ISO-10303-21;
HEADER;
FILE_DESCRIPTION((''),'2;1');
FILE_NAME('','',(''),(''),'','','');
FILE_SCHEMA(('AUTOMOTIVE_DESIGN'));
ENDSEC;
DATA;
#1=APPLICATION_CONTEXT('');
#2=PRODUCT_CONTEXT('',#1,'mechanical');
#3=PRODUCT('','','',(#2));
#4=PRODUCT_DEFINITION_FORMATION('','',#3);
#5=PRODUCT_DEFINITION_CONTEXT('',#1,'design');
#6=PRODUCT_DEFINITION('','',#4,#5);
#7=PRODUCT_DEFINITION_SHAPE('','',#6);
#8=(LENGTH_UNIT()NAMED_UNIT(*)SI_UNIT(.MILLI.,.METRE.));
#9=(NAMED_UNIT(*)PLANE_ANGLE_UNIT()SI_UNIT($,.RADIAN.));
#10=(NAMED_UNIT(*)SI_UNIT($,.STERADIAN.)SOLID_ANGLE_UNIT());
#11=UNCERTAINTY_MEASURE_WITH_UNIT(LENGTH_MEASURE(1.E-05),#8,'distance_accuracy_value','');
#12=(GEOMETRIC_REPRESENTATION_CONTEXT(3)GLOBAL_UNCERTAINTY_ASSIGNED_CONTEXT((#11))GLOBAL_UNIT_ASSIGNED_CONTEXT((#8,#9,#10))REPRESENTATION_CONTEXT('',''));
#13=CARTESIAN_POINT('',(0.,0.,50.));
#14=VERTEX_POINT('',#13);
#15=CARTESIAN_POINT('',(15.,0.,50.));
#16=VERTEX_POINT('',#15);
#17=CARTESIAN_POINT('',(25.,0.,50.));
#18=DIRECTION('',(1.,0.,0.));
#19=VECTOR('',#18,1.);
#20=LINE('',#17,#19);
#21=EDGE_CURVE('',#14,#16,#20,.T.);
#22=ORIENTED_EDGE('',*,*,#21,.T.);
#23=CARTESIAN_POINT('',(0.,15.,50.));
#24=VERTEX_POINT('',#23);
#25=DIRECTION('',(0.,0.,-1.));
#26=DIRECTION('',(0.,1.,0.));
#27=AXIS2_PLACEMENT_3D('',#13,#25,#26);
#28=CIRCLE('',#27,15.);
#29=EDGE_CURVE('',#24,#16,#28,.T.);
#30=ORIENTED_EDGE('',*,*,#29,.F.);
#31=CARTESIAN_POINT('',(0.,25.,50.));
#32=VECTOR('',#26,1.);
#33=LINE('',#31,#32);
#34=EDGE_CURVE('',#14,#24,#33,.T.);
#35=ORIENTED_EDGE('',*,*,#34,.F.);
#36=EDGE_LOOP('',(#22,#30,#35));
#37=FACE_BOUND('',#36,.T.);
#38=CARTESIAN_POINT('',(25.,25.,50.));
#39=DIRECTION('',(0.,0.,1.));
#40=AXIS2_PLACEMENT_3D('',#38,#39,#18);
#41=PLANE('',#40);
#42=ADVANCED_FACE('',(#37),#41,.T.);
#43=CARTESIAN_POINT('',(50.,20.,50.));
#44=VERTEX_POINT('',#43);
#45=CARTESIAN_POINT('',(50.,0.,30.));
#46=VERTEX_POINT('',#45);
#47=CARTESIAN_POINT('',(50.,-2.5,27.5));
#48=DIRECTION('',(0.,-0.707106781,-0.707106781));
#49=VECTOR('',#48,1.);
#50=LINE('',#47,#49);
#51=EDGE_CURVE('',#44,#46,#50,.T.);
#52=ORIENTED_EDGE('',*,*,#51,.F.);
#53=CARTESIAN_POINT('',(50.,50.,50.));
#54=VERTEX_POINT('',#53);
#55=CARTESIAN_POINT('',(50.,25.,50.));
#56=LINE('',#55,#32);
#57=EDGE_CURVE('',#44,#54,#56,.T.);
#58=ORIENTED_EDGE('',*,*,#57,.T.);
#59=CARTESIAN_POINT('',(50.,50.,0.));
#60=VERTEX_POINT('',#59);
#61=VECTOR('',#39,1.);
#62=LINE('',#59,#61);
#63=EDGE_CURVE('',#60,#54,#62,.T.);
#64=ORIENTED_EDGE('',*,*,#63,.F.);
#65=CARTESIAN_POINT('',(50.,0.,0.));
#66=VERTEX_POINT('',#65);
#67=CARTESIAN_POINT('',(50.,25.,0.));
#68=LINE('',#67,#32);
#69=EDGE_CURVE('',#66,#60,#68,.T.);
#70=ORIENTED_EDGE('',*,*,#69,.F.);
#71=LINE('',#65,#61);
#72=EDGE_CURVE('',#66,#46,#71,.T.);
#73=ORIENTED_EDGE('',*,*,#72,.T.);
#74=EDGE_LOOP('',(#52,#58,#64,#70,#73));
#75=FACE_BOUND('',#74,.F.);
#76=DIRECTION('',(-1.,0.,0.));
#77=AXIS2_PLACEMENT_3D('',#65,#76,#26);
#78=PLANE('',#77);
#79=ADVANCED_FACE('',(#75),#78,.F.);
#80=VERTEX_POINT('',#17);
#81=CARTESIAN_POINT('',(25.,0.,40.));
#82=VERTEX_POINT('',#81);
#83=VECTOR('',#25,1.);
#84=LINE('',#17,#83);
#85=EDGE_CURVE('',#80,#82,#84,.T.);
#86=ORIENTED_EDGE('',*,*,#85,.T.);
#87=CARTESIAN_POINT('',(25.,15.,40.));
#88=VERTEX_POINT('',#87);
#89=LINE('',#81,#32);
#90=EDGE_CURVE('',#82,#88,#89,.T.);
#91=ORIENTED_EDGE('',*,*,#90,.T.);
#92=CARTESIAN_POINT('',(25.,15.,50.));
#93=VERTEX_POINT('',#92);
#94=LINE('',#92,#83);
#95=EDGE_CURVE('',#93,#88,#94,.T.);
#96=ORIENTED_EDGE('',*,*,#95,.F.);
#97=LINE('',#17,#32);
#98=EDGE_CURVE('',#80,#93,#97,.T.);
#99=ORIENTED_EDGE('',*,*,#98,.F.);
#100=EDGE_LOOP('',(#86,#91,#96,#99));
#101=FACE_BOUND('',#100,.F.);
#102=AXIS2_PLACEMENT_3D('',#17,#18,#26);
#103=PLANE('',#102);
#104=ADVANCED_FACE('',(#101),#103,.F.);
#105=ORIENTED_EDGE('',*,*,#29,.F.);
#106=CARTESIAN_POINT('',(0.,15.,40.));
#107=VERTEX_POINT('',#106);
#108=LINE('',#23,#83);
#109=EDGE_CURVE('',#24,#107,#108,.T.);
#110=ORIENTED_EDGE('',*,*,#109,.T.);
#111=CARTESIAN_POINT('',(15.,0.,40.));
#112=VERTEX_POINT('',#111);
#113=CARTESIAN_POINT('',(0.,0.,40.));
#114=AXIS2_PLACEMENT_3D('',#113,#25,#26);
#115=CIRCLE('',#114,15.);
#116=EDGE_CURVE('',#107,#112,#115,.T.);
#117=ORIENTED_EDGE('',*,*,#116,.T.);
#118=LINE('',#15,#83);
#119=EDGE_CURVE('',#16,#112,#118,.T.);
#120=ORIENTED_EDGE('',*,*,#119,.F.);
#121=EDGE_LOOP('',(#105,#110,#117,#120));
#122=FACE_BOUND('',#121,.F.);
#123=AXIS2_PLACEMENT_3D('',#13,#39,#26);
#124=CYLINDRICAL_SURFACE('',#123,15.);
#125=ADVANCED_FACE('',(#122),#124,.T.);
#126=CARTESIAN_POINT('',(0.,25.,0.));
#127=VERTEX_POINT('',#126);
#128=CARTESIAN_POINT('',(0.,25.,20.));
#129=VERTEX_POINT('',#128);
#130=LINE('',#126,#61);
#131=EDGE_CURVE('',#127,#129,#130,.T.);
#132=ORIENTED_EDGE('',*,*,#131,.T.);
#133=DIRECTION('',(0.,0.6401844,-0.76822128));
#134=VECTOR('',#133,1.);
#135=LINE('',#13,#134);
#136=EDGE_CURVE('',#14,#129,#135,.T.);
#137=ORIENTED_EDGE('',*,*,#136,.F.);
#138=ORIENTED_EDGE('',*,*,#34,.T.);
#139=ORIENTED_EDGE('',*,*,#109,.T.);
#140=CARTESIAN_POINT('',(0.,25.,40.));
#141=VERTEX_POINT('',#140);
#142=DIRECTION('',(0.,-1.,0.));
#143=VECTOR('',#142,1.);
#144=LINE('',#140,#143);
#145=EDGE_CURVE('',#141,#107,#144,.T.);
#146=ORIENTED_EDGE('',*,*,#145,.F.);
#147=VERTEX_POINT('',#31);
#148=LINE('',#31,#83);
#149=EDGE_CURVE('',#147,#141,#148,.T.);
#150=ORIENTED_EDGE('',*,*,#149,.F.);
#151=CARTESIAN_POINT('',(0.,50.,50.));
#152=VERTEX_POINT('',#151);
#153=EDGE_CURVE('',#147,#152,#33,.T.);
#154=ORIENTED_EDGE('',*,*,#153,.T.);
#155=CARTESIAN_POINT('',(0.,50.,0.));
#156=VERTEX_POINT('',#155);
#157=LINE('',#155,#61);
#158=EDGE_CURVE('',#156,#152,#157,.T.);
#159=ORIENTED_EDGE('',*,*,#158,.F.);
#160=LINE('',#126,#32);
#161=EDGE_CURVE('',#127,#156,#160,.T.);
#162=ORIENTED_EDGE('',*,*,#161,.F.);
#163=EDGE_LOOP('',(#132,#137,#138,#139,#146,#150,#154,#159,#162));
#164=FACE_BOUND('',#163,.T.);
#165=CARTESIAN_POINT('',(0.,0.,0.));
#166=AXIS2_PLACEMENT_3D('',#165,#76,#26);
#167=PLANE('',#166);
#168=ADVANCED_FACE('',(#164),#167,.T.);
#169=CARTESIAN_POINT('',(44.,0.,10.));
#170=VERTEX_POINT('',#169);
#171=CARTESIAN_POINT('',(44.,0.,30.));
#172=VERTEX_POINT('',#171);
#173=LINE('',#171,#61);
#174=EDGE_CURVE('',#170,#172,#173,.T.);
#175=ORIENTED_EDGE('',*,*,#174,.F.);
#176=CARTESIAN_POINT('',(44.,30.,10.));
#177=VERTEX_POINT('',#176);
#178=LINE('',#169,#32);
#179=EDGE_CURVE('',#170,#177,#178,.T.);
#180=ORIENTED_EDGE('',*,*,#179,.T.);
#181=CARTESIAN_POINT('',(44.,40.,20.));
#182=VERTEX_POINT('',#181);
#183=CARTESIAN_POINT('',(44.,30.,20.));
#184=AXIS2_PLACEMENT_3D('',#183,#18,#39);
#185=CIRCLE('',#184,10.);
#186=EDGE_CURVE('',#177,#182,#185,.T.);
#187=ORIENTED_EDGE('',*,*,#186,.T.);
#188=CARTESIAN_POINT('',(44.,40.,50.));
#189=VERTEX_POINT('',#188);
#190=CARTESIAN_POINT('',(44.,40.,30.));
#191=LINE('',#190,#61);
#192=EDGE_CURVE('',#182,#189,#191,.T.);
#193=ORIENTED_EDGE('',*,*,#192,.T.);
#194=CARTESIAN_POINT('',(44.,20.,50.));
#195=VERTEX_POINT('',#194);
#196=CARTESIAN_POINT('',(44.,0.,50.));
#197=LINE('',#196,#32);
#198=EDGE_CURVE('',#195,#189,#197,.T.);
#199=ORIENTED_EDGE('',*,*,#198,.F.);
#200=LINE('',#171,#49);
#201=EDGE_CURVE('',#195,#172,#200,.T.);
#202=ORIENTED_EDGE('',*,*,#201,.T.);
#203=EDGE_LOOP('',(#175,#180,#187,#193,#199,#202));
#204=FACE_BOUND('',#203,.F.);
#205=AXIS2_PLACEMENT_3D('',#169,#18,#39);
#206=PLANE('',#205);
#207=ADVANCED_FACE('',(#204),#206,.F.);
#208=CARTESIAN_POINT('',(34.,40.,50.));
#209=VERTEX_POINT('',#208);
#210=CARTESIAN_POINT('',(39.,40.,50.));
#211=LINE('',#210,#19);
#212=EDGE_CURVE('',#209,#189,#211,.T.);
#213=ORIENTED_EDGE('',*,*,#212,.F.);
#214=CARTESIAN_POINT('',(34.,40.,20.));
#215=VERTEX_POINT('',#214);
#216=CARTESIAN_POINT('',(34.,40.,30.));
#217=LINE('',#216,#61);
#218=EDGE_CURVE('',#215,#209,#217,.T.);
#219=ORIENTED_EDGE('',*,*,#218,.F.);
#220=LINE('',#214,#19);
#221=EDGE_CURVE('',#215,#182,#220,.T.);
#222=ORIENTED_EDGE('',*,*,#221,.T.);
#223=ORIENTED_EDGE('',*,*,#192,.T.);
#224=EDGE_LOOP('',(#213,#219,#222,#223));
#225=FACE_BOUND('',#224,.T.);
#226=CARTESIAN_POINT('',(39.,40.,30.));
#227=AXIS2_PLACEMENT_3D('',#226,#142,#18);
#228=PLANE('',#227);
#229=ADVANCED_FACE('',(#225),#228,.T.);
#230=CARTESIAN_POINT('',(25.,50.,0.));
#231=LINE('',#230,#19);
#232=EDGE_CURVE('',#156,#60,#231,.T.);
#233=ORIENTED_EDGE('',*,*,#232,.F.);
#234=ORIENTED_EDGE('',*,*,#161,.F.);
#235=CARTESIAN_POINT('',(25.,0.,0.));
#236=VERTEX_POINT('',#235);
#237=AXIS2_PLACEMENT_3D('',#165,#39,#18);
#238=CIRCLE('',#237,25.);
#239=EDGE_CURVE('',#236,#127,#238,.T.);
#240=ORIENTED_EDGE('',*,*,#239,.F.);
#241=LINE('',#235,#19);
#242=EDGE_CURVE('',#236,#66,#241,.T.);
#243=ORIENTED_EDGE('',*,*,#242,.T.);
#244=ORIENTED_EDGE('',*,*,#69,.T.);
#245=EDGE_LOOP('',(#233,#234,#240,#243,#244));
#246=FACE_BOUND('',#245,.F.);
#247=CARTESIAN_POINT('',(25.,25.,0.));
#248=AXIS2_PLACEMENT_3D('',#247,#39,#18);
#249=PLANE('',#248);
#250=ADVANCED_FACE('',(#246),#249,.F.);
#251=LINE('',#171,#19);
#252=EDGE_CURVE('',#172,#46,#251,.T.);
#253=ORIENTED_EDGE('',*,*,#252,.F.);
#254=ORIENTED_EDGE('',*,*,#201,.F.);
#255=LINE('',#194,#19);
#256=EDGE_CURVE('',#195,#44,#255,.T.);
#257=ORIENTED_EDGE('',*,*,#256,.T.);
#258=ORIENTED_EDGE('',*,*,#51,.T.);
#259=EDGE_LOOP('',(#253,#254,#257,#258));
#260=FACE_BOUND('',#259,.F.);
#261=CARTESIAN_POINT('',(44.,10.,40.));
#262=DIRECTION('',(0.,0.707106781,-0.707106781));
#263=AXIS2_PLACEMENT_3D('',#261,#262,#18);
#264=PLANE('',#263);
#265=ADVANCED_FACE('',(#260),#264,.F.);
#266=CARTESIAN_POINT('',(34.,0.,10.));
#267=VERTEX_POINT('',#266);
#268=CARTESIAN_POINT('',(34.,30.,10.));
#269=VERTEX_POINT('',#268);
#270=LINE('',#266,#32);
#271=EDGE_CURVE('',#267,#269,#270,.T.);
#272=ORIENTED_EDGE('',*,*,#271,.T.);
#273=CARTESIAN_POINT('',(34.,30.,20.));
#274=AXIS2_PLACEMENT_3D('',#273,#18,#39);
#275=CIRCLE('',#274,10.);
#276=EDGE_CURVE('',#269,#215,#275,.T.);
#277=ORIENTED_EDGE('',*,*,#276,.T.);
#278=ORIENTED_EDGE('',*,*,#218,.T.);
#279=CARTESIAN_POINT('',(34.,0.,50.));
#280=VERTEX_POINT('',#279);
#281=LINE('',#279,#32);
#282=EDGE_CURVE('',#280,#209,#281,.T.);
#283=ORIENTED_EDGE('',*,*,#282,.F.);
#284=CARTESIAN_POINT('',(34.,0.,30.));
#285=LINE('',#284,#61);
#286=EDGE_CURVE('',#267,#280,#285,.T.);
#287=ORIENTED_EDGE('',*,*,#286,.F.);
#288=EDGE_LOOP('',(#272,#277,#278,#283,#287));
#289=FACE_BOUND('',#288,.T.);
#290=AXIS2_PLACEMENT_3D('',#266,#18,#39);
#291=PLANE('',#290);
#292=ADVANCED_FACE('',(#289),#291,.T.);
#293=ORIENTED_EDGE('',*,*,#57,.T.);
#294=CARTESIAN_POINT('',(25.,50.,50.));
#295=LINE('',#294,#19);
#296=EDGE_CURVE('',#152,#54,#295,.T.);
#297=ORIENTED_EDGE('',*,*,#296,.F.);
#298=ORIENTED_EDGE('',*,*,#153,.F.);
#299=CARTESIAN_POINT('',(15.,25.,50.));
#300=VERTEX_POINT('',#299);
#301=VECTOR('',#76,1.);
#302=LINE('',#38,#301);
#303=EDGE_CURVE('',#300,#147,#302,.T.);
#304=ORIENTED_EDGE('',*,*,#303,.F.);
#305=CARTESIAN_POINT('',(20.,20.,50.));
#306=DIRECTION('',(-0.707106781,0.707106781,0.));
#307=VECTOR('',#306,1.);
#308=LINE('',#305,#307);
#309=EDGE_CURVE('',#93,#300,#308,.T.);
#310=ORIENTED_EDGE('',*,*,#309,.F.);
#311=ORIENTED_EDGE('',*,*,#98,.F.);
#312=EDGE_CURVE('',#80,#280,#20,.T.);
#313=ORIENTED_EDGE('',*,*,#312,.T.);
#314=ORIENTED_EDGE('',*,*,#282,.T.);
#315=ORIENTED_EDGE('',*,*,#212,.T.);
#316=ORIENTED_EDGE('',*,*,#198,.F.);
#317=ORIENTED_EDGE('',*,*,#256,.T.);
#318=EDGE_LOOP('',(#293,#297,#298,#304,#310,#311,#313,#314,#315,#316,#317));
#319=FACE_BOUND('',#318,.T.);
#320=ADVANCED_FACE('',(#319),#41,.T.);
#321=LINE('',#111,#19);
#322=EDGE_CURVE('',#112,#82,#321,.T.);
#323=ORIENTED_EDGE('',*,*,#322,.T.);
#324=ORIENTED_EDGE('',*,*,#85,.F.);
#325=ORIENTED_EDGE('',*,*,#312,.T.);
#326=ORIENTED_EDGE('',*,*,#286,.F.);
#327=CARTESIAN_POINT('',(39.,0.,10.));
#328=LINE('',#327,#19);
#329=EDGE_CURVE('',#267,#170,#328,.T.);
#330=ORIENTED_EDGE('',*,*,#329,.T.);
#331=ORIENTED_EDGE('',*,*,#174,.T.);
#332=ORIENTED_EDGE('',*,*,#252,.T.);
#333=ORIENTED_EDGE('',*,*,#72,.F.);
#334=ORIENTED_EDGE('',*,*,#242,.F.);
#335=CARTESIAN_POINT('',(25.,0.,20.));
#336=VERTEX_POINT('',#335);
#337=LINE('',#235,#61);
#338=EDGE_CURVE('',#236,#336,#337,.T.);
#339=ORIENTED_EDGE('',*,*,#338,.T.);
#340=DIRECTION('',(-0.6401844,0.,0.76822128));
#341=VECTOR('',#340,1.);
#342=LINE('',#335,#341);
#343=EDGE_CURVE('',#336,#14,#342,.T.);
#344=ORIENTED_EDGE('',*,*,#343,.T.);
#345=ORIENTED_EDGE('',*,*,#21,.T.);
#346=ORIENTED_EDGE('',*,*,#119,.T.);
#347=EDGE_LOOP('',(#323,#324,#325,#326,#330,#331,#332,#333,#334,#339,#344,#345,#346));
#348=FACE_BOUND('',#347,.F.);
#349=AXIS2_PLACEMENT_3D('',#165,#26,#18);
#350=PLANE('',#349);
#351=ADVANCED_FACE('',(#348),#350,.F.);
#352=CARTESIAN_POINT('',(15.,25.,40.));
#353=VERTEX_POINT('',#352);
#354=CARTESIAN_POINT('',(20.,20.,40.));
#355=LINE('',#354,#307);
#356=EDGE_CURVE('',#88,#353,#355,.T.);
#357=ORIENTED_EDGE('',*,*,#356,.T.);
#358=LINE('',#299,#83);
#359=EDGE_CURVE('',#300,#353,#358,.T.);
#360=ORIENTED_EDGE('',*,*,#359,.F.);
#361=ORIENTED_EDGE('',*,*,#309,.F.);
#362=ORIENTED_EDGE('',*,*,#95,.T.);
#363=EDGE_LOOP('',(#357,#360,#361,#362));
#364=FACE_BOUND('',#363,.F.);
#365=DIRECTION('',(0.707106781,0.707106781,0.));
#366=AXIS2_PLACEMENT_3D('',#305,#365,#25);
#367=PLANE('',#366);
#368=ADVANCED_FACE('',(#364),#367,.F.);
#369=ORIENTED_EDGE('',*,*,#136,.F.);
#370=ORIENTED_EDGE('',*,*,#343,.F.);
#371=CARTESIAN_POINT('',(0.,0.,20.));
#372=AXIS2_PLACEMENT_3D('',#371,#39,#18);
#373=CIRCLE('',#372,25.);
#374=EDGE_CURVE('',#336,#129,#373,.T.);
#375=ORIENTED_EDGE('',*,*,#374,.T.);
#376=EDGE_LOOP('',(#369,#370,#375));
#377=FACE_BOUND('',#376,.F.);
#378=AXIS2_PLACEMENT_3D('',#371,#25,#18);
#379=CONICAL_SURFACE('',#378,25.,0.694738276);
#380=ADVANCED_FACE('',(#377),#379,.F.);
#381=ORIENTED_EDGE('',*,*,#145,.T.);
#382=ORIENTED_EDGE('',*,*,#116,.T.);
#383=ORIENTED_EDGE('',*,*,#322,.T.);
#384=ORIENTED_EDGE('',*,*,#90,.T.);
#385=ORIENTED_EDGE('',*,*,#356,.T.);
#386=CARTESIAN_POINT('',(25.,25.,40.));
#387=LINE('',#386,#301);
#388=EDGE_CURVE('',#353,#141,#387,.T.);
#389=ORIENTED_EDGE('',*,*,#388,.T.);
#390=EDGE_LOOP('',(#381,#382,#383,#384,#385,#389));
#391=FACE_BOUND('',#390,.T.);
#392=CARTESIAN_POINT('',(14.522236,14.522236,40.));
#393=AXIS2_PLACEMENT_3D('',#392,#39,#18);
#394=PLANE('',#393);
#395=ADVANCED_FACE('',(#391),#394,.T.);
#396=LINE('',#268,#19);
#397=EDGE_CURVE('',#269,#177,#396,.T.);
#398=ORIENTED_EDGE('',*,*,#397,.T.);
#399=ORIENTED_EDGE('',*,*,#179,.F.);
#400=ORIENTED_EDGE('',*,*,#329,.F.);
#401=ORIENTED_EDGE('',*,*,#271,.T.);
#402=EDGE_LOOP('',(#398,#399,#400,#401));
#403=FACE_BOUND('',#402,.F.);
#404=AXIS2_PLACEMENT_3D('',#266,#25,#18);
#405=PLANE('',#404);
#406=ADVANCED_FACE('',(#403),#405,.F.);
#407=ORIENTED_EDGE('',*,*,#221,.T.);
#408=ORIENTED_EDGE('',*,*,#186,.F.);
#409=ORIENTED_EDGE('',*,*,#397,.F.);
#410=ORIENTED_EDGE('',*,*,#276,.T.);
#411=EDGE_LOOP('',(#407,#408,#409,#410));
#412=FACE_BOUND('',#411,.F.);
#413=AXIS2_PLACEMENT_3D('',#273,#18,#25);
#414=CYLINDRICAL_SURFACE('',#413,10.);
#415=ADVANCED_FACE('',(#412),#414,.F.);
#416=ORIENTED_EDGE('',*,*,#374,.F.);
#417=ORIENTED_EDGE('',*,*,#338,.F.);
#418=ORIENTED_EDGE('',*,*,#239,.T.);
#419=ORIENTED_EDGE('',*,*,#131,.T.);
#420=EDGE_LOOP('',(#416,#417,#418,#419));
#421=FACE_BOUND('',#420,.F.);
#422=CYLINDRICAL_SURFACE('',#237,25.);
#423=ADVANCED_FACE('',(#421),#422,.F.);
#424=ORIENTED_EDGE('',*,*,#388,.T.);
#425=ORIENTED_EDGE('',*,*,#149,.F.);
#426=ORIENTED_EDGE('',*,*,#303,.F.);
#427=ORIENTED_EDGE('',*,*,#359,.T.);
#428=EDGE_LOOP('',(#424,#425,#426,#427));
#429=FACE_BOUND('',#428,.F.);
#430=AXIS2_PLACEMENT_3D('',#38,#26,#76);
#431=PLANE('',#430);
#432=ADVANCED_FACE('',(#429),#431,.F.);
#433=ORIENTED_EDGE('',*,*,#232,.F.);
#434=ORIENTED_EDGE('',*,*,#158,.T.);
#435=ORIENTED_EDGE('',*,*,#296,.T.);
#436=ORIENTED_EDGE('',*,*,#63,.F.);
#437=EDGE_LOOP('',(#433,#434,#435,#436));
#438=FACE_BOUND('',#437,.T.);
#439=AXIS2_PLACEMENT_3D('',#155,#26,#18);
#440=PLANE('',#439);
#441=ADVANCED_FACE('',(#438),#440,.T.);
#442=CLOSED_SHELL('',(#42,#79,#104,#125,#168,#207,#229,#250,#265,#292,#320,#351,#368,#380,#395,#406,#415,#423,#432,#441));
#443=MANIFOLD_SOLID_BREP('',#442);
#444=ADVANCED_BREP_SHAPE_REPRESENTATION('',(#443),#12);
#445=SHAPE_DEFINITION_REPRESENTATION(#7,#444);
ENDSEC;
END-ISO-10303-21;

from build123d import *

# Parameters (mm, degrees)
F0_W     = 50
F0_H     = 50
F1_DEPTH = 50
F2_W     = 10
F2_H     = 40
F3_DEPTH = 40
F4_R     = 10
F8_DEPTH = 10
F9_SIZE  = 10
F10_SIZE = 20


with BuildPart() as f1:
    # F0 (on Top) → F1 (new body)
    with BuildSketch(Plane.XY):
        with Locations((25, 25)):
            Rectangle(F0_W, F0_H)
    extrude(amount=F1_DEPTH)

    # F2 (on face) → F3 (cut)
    with BuildSketch(Plane.XZ):
        with Locations((39, 30)):
            Rectangle(F2_W, F2_H)
    extrude(amount=-F3_DEPTH, mode=Mode.SUBTRACT)

    # F4
    f4_edges = [f1.edges().sort_by_distance(p)[0] for p in [
        (39, 40, 10),
    ]]
    fillet(f4_edges, radius=F4_R)

    # F5 (on face) → F6 (revolve, cut)
    with BuildSketch(Plane.XZ):
        Polygon((25, 20), (0, 50), (0, 0), (25, 0), align=None)
    revolve(axis=Axis((0, 0, 25), (0, 0, 1)), mode=Mode.SUBTRACT)

    # F7 (on face) → F8 (cut)
    with BuildSketch(Plane.XY.offset(50)):
        with BuildLine():
            ThreePointArc((0, 15), (10.6066017178, 10.6066017178), (15, 0))
            Line((15, 0), (25, 0))
            Line((25, 0), (25, 25))
            Line((25, 25), (0, 25))
            Line((0, 25), (0, 15))
        make_face()
    extrude(amount=-F8_DEPTH, mode=Mode.SUBTRACT)

    # F9
    f9_edges = [f1.edges().sort_by_distance(p)[0] for p in [
        (25, 25, 45),
    ]]
    chamfer(f9_edges, length=F9_SIZE)

    # F10
    f10_edges = [f1.edges().sort_by_distance(p)[0] for p in [
        (47, 0, 50),
    ]]
    chamfer(f10_edges, length=F10_SIZE)


solid = f1.part
